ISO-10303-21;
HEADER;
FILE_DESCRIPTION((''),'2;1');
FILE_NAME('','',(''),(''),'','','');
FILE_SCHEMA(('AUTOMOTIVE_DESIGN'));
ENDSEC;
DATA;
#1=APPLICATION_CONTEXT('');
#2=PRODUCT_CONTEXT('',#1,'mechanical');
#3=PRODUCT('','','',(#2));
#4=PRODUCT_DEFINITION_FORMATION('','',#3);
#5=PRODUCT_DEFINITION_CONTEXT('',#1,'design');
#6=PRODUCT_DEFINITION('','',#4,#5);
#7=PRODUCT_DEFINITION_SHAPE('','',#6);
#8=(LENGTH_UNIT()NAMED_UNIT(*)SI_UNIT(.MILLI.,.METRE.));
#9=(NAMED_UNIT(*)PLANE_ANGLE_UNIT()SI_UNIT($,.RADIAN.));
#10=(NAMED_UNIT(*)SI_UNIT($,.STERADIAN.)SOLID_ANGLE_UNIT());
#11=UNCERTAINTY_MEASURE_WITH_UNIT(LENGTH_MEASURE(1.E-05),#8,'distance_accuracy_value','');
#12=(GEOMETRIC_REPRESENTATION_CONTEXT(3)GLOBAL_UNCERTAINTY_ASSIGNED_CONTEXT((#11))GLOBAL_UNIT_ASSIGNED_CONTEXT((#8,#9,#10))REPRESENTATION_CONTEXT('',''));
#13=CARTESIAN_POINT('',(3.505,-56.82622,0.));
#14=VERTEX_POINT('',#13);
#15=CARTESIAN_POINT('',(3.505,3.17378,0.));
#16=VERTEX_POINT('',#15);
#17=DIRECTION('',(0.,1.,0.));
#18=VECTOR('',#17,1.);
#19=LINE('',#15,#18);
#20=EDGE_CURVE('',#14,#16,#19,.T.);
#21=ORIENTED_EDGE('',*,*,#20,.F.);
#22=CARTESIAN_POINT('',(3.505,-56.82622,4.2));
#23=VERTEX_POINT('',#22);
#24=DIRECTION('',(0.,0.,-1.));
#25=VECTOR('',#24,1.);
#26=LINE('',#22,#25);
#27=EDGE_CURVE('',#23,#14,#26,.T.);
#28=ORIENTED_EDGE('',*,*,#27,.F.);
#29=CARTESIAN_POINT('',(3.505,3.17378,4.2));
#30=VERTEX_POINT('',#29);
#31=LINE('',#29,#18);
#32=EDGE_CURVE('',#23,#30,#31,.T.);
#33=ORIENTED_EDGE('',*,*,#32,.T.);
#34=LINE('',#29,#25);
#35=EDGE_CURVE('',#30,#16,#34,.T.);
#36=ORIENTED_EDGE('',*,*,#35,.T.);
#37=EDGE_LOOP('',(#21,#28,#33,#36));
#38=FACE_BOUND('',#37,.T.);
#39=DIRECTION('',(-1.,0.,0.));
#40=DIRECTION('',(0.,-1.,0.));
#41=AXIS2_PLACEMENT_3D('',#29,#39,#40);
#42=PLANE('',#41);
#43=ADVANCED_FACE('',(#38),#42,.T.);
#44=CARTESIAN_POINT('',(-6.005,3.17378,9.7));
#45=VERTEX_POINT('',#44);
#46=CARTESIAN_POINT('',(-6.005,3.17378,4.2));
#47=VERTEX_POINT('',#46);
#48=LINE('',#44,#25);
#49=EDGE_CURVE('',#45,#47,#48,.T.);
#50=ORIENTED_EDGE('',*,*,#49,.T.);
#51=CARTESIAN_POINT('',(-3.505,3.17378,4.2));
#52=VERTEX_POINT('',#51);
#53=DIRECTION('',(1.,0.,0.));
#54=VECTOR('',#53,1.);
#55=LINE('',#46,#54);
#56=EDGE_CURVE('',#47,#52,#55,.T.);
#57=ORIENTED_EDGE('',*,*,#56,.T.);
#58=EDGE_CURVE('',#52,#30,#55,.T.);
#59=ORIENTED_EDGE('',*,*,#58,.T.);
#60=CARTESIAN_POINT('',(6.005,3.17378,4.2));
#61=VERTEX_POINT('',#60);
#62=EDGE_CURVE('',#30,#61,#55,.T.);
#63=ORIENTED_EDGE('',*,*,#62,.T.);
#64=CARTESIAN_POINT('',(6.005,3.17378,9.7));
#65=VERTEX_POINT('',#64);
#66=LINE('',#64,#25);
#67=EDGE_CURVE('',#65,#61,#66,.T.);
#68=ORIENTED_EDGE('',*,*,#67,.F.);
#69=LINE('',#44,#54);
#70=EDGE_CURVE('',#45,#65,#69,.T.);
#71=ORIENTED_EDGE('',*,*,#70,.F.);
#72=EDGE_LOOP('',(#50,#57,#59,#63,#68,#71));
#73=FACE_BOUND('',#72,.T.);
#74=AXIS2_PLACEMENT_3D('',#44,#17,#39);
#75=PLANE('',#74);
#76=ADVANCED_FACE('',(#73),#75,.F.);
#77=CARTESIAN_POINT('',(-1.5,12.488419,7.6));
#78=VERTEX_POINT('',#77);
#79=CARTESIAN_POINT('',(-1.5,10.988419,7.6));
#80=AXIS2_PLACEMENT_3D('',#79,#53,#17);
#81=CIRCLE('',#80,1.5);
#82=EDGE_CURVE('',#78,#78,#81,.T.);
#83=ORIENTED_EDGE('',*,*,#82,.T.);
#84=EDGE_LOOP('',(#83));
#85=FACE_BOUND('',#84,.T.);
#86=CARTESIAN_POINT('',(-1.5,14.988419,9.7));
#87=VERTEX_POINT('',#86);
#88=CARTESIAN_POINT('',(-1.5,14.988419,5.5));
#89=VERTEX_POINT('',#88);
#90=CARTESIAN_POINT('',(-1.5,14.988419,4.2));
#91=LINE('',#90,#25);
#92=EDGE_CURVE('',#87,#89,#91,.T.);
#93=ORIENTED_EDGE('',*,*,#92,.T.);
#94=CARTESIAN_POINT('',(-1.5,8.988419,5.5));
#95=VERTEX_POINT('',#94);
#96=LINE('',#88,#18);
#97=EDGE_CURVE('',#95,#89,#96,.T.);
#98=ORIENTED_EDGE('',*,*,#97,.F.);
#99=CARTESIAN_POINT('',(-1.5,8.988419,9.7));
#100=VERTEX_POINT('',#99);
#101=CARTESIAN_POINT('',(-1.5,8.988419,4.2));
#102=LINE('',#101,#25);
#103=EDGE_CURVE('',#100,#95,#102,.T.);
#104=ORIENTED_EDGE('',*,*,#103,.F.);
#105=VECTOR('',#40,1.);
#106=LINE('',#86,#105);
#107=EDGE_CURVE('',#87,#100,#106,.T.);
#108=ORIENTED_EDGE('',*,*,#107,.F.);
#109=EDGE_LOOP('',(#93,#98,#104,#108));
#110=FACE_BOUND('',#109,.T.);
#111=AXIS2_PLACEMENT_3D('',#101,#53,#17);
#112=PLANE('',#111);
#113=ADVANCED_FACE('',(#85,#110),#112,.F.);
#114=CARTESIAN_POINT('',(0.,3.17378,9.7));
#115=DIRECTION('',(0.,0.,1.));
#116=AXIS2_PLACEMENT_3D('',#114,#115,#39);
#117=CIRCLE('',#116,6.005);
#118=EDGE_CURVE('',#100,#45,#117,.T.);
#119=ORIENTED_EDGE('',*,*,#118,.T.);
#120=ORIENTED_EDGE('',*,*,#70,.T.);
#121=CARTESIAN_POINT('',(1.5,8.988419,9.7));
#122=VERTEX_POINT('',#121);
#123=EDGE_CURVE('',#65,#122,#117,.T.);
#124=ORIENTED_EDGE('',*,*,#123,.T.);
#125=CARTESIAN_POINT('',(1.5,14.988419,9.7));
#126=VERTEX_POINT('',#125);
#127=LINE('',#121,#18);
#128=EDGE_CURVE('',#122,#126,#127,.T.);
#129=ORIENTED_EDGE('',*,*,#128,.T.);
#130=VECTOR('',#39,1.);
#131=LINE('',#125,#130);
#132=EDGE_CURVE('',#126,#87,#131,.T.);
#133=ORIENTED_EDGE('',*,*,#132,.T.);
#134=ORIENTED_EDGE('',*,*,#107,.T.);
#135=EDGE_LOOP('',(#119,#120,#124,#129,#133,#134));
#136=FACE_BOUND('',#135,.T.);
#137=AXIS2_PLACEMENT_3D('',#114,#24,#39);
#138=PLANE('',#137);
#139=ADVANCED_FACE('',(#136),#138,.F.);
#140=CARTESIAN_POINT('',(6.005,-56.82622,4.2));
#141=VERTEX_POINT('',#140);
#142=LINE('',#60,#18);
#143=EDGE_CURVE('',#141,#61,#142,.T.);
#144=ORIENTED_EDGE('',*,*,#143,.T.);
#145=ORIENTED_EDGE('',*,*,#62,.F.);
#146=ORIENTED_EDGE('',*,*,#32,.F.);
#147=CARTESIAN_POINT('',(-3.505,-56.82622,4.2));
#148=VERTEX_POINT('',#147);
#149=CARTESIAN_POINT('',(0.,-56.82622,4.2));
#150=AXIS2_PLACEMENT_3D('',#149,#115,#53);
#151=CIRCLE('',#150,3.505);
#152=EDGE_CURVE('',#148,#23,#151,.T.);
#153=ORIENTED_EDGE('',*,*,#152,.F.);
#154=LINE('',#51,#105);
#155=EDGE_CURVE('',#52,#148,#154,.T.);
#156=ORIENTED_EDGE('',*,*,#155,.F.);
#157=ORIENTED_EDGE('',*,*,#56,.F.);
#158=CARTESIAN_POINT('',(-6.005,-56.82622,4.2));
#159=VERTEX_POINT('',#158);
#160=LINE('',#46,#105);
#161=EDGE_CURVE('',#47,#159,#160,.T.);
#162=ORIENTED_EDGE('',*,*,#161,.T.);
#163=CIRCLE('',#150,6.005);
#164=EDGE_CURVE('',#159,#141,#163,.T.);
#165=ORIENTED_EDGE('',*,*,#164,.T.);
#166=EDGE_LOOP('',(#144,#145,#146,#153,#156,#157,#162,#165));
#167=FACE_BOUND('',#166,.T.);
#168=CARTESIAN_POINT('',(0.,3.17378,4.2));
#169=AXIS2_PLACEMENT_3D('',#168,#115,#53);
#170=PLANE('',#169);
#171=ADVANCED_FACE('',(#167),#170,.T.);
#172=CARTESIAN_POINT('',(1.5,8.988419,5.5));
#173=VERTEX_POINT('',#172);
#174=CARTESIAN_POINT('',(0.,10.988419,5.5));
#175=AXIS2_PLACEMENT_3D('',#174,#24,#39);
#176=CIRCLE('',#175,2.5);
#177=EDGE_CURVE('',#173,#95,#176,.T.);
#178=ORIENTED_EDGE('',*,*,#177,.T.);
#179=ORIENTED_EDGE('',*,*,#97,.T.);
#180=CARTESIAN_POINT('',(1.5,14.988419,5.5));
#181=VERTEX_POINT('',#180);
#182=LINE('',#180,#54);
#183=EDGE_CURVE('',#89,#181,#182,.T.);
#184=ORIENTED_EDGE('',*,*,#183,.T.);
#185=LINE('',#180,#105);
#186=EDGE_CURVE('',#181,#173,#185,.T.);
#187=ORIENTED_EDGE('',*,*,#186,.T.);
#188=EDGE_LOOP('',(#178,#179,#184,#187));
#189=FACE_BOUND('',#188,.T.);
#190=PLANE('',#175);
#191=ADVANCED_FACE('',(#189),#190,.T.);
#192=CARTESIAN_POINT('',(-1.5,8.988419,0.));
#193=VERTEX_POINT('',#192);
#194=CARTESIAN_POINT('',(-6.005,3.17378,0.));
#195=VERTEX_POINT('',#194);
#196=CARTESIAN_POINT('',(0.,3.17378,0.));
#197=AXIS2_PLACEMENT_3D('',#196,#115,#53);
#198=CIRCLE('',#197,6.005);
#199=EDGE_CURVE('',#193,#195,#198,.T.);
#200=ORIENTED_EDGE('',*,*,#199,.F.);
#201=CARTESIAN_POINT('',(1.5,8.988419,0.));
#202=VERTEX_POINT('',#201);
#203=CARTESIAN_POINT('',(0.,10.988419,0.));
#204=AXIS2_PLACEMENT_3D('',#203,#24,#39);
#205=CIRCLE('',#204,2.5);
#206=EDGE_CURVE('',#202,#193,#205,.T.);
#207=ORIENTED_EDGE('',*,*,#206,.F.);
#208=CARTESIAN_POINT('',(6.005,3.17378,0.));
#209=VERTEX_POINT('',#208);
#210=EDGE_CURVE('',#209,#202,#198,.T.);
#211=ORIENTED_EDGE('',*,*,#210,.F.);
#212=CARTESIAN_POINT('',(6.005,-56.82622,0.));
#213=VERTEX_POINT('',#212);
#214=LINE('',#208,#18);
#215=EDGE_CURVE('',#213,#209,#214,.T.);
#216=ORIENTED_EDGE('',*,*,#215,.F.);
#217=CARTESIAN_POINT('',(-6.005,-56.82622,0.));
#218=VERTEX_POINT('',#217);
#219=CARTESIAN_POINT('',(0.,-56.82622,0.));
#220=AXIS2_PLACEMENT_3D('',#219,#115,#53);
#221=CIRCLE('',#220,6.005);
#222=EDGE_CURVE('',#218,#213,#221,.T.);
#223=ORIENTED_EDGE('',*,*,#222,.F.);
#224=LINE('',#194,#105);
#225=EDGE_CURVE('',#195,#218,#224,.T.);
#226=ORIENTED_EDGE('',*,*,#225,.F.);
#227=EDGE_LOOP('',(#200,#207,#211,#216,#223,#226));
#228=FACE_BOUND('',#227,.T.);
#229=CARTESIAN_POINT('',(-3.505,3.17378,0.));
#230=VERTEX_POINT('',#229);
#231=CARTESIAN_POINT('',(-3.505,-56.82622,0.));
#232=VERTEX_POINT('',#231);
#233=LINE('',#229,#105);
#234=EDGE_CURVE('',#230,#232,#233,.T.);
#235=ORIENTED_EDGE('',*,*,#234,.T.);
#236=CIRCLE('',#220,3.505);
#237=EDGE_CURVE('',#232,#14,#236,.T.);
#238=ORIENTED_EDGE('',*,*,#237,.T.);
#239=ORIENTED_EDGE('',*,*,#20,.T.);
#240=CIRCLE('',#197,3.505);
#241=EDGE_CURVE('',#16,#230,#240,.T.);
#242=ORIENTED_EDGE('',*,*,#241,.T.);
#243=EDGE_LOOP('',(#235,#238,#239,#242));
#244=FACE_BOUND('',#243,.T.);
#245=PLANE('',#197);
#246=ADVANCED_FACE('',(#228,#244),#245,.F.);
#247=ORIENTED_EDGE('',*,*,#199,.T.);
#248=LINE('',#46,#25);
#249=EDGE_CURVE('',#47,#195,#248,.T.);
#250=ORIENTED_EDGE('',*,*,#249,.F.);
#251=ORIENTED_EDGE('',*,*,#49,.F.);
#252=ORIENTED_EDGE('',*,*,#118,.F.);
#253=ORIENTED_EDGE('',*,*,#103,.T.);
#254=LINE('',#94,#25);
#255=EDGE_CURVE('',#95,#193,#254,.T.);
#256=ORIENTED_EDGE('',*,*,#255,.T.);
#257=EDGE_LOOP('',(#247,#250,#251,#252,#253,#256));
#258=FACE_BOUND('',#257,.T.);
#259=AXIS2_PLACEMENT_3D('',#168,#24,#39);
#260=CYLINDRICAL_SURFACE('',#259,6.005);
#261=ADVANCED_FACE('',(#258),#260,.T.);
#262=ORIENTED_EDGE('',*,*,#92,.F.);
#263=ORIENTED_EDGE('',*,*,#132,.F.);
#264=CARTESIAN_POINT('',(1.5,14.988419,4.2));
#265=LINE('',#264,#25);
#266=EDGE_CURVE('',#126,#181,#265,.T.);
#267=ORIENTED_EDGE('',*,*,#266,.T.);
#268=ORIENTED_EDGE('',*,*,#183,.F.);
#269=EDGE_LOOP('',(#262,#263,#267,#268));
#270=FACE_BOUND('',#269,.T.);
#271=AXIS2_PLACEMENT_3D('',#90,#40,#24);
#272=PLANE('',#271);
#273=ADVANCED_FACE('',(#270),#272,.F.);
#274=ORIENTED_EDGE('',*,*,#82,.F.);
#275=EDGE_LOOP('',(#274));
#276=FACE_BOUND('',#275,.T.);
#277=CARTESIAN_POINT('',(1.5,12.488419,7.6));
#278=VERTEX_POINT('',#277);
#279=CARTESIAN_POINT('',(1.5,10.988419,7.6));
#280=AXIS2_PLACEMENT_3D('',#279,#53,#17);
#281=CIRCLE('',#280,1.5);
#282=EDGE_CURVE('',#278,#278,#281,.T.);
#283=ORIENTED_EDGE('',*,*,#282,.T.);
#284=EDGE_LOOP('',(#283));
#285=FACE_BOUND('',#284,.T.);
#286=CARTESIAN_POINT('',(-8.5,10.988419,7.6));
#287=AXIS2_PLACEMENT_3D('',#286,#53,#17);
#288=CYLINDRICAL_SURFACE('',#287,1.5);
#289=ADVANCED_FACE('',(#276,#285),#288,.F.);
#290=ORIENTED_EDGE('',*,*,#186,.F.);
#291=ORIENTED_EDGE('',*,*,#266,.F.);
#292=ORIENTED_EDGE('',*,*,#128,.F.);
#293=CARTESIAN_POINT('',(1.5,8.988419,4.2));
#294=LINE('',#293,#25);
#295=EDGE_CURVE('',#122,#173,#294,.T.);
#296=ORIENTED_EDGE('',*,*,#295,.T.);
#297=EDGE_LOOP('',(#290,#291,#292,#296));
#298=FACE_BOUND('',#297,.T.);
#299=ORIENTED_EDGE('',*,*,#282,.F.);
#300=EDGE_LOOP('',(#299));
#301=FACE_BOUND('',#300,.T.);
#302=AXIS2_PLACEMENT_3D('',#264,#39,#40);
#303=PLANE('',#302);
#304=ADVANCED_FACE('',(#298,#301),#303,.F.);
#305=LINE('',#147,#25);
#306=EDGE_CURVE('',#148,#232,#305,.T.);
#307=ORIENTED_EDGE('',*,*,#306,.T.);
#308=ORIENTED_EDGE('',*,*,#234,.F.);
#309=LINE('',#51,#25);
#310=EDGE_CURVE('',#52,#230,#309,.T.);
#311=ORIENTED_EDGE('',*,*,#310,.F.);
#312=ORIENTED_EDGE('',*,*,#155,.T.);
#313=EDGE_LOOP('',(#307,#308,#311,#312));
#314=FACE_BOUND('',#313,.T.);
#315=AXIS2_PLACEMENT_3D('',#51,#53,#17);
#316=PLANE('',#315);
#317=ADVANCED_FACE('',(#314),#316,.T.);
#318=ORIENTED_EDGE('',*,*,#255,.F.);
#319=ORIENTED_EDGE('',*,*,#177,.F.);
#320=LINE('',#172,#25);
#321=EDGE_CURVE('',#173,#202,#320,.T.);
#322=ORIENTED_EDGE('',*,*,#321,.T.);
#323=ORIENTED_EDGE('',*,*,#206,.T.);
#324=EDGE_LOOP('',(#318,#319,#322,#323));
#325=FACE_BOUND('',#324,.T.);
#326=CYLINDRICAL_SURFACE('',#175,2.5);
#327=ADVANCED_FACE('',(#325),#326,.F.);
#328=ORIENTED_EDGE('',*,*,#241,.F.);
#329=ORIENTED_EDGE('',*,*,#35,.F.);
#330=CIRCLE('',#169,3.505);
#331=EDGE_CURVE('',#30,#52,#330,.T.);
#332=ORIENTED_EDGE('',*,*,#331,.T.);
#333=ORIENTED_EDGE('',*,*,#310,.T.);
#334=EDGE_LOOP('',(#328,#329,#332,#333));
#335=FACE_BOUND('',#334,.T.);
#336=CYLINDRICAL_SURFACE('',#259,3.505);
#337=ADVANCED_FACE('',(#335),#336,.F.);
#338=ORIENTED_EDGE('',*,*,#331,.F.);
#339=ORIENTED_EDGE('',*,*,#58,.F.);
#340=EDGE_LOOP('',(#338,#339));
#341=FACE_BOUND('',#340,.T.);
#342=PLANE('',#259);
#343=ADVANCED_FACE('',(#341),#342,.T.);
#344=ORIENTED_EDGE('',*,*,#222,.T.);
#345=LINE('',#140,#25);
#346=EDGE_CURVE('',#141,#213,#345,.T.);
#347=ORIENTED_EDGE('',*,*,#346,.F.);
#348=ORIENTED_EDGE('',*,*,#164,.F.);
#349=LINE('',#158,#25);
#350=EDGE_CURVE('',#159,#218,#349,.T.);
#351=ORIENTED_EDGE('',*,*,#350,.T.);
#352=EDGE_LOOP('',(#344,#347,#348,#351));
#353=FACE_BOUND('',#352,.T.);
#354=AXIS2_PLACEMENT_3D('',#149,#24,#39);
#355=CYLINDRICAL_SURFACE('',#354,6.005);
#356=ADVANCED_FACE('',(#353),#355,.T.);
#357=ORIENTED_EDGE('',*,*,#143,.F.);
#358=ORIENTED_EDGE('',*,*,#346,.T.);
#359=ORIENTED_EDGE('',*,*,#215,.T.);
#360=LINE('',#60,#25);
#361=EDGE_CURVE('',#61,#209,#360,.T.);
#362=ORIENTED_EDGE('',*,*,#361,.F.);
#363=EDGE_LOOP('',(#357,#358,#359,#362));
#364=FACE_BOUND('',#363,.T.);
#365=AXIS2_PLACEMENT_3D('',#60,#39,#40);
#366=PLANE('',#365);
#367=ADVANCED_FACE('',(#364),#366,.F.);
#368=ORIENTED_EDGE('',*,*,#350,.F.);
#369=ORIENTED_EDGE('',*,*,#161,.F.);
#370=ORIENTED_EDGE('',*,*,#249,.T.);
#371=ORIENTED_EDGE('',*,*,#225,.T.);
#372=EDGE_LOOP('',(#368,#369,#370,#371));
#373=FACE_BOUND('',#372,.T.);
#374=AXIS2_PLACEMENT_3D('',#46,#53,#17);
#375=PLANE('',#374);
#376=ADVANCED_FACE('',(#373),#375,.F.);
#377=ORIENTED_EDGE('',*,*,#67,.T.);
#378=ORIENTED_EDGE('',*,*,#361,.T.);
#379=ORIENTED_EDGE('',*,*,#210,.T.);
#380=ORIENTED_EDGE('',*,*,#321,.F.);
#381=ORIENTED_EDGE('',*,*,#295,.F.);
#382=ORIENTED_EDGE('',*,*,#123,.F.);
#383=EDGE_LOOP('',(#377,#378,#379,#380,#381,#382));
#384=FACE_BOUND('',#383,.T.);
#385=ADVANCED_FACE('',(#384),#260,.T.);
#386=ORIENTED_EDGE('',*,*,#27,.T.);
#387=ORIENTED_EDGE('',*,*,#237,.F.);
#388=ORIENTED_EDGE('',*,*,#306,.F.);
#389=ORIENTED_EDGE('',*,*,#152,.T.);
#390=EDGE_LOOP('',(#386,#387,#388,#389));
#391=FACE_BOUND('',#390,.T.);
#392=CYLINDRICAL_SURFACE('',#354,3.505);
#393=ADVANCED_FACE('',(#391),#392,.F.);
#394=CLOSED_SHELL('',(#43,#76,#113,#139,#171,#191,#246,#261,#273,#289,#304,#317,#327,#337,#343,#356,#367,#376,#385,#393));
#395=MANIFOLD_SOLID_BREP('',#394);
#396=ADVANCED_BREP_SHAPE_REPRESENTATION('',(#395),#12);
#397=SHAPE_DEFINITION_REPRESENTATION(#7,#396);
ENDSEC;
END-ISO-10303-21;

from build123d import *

# Parameters (mm, degrees)
EXTRUDE_1_DEPTH     = 4.2
EXTRUDE_2_DEPTH     = 5.5
CUT_EXTRUDE_1_DEPTH = 5.5
SKETCH_4_R          = 1.5
CUT_EXTRUDE_2_DEPTH = 10


with BuildPart() as part:
    # 草图1 → 凸台-拉伸1 (new body)
    with BuildSketch(Plane.XY):
        with BuildLine():
            Line((6.005, 3.173780296), (6.005, -56.826219704))
            ThreePointArc((6.005, -56.826219704), (0, -62.831219704), (-6.005, -56.826219704))
            Line((-6.005, -56.826219704), (-6.005, 3.173780296))
            ThreePointArc((-6.005, 3.173780296), (-4.746974036, 6.851587047), (-1.5, 8.988419149))
            Line((-1.5, 8.988419149), (-1.5, 14.988419149))
            Line((-1.5, 14.988419149), (1.5, 14.988419149))
            Line((1.5, 14.988419149), (1.5, 8.988419149))
            ThreePointArc((1.5, 8.988419149), (4.746974036, 6.851587047), (6.005, 3.173780296))
        make_face()
        with BuildLine():
            Line((3.505, 3.173780296), (3.505, -56.826219704))
            ThreePointArc((3.505, -56.826219704), (0, -60.331219704), (-3.505, -56.826219704))
            Line((-3.505, -56.826219704), (-3.505, 3.173780296))
            ThreePointArc((-3.505, 3.173780296), (0, 6.678780296), (3.505, 3.173780296))
        make_face(mode=Mode.SUBTRACT)
    extrude(amount=EXTRUDE_1_DEPTH)

    # 草图2 → 凸台-拉伸2 (add)
    with BuildSketch(Plane.XY.offset(4.2)):
        with BuildLine():
            Line((1.5, 14.988419149), (-1.5, 14.988419149))
            Line((-1.5, 14.988419149), (-1.5, 8.988419149))
            ThreePointArc((-1.5, 8.988419149), (-4.746974036, 6.851587047), (-6.005, 3.173780296))
            Line((-6.005, 3.173780296), (6.005, 3.173780296))
            ThreePointArc((6.005, 3.173780296), (4.746974036, 6.851587047), (1.5, 8.988419149))
            Line((1.5, 8.988419149), (1.5, 14.988419149))
        make_face()
    extrude(amount=EXTRUDE_2_DEPTH)

    # 草图3 → 切除-拉伸1 (cut)
    with BuildSketch(Plane(origin=(0, 0, 0), x_dir=(-1, 0, 0), z_dir=(0, 0, -1))):
        with BuildLine():
            Line((-1.5, 14.988419149), (1.5, 14.988419149))
            Line((1.5, 14.988419149), (1.5, 8.988419149))
            ThreePointArc((1.5, 8.988419149), (0, 8.488419149), (-1.5, 8.988419149))
            Line((-1.5, 8.988419149), (-1.5, 14.988419149))
        make_face()
    extrude(amount=-CUT_EXTRUDE_1_DEPTH, mode=Mode.SUBTRACT)

    # 草图4 → 切除-拉伸2 (cut)
    with BuildSketch(Plane(origin=(1.5, 0, 0), x_dir=(0, 0, -1), z_dir=(1, 0, 0))):
        with Locations((-7.6, 10.988419149)):
            Circle(SKETCH_4_R)
    extrude(amount=-CUT_EXTRUDE_2_DEPTH, mode=Mode.SUBTRACT)


solid = part.part
